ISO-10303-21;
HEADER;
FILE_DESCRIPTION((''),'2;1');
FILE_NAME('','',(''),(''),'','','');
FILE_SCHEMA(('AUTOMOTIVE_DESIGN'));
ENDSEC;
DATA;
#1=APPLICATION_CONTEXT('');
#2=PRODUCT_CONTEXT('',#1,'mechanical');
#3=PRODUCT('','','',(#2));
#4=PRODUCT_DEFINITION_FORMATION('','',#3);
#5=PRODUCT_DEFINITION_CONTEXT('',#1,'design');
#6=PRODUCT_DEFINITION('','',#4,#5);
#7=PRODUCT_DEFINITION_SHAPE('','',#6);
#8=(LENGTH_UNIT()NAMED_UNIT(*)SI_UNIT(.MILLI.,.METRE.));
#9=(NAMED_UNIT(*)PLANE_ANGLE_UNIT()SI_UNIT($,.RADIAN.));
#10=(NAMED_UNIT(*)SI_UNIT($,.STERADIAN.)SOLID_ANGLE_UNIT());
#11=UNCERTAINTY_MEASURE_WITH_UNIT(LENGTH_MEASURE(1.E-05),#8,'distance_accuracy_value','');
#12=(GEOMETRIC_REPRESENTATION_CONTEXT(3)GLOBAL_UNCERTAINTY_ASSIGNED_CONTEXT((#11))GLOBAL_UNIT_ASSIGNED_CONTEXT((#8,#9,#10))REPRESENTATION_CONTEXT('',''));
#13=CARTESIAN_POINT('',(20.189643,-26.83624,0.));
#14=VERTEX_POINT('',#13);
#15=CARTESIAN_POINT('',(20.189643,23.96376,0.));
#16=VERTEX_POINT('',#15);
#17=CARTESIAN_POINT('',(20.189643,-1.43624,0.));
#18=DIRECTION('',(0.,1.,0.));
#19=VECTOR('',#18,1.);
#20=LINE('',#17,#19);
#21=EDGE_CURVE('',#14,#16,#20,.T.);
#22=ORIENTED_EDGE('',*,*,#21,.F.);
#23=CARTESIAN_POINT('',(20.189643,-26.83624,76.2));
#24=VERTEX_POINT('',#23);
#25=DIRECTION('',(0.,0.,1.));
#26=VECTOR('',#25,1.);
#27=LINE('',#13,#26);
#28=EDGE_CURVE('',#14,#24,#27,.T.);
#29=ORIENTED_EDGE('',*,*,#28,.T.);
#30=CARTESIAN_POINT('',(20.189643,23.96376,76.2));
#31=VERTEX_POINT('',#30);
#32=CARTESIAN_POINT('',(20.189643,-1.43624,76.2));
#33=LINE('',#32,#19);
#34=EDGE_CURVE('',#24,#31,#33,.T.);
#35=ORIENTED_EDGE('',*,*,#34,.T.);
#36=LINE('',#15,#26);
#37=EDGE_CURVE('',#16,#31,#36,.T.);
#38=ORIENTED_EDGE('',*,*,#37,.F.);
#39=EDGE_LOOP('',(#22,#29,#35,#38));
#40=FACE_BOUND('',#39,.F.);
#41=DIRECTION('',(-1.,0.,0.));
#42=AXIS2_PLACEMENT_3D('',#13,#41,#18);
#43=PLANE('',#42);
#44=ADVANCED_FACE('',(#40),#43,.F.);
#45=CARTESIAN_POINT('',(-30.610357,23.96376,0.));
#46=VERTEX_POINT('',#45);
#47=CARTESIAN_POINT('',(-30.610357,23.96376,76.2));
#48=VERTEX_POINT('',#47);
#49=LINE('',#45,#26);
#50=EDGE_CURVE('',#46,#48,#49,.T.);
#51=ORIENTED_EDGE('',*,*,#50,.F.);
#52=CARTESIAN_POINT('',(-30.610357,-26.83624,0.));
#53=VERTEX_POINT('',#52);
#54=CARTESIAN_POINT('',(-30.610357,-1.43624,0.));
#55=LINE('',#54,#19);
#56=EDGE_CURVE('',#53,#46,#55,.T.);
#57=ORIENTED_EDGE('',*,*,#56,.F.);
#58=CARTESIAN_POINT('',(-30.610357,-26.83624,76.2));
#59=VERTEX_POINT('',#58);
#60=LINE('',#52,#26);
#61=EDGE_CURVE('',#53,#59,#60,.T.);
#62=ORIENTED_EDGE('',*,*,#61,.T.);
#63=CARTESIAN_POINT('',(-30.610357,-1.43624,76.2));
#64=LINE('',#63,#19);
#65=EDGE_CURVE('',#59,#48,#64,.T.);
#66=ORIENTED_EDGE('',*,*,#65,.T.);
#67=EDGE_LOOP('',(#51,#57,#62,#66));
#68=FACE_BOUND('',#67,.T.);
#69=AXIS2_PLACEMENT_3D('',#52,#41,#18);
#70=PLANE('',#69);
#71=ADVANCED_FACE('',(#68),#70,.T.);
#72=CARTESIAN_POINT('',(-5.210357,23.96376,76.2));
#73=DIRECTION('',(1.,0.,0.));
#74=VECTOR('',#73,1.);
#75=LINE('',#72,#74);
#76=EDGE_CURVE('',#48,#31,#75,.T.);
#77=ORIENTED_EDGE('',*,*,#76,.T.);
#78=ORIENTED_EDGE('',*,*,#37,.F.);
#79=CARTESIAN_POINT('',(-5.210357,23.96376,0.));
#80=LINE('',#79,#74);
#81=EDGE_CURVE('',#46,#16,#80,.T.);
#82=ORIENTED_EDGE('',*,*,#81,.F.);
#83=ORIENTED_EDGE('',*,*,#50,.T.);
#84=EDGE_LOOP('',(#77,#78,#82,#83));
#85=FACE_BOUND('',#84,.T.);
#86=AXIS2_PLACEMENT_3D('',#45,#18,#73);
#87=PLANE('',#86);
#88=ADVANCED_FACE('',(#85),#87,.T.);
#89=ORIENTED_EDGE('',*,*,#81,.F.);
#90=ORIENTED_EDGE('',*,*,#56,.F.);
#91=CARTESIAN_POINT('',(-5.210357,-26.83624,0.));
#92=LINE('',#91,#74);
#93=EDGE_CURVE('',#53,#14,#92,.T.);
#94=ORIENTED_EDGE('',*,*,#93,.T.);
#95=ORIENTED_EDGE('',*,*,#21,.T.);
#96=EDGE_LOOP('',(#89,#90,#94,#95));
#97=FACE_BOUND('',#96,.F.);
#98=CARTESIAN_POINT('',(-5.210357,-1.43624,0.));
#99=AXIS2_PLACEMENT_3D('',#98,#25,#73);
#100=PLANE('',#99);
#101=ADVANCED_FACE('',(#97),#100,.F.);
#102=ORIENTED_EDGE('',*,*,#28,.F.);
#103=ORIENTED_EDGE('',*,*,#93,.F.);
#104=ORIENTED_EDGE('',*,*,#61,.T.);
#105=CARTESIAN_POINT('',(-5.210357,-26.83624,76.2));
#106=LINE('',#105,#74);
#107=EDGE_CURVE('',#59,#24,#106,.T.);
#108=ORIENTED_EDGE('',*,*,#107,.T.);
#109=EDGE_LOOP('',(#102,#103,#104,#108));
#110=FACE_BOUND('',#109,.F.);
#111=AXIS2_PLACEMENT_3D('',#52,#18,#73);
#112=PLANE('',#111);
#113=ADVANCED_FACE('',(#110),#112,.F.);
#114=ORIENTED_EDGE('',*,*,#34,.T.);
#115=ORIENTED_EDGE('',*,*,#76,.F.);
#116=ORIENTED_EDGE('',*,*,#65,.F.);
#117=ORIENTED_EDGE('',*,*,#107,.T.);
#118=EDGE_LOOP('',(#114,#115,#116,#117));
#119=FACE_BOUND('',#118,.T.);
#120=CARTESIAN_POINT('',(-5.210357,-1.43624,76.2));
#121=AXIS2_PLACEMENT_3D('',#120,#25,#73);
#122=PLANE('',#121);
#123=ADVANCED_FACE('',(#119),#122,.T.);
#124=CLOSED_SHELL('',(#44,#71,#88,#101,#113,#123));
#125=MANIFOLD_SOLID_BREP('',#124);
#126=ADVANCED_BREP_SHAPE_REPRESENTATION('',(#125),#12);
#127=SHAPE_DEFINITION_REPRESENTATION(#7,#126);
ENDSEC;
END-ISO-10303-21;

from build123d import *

# Parameters (mm, degrees)
F0_W     = 101.6
F0_H     = 101.6
F1_DEPTH = 152.4
F3_W     = 50.8
F3_H     = 50.8
F4_DEPTH = 76.2


with BuildPart() as f1:
    # F0 (on Top) → F1 (new body)
    with BuildSketch(Plane.XY):
        with Locations((0.5169101059, 6.4923027378)):
            Rectangle(F0_W, F0_H)
    extrude(amount=F1_DEPTH)


with BuildPart() as f4:
    # F3 (on Top) → F4 (new body)
    with BuildSketch(Plane.XY):
        with Locations((-5.2103567868, -1.4362401626)):
            Rectangle(F3_W, F3_H)
    extrude(amount=F4_DEPTH)


solid = f4.part
